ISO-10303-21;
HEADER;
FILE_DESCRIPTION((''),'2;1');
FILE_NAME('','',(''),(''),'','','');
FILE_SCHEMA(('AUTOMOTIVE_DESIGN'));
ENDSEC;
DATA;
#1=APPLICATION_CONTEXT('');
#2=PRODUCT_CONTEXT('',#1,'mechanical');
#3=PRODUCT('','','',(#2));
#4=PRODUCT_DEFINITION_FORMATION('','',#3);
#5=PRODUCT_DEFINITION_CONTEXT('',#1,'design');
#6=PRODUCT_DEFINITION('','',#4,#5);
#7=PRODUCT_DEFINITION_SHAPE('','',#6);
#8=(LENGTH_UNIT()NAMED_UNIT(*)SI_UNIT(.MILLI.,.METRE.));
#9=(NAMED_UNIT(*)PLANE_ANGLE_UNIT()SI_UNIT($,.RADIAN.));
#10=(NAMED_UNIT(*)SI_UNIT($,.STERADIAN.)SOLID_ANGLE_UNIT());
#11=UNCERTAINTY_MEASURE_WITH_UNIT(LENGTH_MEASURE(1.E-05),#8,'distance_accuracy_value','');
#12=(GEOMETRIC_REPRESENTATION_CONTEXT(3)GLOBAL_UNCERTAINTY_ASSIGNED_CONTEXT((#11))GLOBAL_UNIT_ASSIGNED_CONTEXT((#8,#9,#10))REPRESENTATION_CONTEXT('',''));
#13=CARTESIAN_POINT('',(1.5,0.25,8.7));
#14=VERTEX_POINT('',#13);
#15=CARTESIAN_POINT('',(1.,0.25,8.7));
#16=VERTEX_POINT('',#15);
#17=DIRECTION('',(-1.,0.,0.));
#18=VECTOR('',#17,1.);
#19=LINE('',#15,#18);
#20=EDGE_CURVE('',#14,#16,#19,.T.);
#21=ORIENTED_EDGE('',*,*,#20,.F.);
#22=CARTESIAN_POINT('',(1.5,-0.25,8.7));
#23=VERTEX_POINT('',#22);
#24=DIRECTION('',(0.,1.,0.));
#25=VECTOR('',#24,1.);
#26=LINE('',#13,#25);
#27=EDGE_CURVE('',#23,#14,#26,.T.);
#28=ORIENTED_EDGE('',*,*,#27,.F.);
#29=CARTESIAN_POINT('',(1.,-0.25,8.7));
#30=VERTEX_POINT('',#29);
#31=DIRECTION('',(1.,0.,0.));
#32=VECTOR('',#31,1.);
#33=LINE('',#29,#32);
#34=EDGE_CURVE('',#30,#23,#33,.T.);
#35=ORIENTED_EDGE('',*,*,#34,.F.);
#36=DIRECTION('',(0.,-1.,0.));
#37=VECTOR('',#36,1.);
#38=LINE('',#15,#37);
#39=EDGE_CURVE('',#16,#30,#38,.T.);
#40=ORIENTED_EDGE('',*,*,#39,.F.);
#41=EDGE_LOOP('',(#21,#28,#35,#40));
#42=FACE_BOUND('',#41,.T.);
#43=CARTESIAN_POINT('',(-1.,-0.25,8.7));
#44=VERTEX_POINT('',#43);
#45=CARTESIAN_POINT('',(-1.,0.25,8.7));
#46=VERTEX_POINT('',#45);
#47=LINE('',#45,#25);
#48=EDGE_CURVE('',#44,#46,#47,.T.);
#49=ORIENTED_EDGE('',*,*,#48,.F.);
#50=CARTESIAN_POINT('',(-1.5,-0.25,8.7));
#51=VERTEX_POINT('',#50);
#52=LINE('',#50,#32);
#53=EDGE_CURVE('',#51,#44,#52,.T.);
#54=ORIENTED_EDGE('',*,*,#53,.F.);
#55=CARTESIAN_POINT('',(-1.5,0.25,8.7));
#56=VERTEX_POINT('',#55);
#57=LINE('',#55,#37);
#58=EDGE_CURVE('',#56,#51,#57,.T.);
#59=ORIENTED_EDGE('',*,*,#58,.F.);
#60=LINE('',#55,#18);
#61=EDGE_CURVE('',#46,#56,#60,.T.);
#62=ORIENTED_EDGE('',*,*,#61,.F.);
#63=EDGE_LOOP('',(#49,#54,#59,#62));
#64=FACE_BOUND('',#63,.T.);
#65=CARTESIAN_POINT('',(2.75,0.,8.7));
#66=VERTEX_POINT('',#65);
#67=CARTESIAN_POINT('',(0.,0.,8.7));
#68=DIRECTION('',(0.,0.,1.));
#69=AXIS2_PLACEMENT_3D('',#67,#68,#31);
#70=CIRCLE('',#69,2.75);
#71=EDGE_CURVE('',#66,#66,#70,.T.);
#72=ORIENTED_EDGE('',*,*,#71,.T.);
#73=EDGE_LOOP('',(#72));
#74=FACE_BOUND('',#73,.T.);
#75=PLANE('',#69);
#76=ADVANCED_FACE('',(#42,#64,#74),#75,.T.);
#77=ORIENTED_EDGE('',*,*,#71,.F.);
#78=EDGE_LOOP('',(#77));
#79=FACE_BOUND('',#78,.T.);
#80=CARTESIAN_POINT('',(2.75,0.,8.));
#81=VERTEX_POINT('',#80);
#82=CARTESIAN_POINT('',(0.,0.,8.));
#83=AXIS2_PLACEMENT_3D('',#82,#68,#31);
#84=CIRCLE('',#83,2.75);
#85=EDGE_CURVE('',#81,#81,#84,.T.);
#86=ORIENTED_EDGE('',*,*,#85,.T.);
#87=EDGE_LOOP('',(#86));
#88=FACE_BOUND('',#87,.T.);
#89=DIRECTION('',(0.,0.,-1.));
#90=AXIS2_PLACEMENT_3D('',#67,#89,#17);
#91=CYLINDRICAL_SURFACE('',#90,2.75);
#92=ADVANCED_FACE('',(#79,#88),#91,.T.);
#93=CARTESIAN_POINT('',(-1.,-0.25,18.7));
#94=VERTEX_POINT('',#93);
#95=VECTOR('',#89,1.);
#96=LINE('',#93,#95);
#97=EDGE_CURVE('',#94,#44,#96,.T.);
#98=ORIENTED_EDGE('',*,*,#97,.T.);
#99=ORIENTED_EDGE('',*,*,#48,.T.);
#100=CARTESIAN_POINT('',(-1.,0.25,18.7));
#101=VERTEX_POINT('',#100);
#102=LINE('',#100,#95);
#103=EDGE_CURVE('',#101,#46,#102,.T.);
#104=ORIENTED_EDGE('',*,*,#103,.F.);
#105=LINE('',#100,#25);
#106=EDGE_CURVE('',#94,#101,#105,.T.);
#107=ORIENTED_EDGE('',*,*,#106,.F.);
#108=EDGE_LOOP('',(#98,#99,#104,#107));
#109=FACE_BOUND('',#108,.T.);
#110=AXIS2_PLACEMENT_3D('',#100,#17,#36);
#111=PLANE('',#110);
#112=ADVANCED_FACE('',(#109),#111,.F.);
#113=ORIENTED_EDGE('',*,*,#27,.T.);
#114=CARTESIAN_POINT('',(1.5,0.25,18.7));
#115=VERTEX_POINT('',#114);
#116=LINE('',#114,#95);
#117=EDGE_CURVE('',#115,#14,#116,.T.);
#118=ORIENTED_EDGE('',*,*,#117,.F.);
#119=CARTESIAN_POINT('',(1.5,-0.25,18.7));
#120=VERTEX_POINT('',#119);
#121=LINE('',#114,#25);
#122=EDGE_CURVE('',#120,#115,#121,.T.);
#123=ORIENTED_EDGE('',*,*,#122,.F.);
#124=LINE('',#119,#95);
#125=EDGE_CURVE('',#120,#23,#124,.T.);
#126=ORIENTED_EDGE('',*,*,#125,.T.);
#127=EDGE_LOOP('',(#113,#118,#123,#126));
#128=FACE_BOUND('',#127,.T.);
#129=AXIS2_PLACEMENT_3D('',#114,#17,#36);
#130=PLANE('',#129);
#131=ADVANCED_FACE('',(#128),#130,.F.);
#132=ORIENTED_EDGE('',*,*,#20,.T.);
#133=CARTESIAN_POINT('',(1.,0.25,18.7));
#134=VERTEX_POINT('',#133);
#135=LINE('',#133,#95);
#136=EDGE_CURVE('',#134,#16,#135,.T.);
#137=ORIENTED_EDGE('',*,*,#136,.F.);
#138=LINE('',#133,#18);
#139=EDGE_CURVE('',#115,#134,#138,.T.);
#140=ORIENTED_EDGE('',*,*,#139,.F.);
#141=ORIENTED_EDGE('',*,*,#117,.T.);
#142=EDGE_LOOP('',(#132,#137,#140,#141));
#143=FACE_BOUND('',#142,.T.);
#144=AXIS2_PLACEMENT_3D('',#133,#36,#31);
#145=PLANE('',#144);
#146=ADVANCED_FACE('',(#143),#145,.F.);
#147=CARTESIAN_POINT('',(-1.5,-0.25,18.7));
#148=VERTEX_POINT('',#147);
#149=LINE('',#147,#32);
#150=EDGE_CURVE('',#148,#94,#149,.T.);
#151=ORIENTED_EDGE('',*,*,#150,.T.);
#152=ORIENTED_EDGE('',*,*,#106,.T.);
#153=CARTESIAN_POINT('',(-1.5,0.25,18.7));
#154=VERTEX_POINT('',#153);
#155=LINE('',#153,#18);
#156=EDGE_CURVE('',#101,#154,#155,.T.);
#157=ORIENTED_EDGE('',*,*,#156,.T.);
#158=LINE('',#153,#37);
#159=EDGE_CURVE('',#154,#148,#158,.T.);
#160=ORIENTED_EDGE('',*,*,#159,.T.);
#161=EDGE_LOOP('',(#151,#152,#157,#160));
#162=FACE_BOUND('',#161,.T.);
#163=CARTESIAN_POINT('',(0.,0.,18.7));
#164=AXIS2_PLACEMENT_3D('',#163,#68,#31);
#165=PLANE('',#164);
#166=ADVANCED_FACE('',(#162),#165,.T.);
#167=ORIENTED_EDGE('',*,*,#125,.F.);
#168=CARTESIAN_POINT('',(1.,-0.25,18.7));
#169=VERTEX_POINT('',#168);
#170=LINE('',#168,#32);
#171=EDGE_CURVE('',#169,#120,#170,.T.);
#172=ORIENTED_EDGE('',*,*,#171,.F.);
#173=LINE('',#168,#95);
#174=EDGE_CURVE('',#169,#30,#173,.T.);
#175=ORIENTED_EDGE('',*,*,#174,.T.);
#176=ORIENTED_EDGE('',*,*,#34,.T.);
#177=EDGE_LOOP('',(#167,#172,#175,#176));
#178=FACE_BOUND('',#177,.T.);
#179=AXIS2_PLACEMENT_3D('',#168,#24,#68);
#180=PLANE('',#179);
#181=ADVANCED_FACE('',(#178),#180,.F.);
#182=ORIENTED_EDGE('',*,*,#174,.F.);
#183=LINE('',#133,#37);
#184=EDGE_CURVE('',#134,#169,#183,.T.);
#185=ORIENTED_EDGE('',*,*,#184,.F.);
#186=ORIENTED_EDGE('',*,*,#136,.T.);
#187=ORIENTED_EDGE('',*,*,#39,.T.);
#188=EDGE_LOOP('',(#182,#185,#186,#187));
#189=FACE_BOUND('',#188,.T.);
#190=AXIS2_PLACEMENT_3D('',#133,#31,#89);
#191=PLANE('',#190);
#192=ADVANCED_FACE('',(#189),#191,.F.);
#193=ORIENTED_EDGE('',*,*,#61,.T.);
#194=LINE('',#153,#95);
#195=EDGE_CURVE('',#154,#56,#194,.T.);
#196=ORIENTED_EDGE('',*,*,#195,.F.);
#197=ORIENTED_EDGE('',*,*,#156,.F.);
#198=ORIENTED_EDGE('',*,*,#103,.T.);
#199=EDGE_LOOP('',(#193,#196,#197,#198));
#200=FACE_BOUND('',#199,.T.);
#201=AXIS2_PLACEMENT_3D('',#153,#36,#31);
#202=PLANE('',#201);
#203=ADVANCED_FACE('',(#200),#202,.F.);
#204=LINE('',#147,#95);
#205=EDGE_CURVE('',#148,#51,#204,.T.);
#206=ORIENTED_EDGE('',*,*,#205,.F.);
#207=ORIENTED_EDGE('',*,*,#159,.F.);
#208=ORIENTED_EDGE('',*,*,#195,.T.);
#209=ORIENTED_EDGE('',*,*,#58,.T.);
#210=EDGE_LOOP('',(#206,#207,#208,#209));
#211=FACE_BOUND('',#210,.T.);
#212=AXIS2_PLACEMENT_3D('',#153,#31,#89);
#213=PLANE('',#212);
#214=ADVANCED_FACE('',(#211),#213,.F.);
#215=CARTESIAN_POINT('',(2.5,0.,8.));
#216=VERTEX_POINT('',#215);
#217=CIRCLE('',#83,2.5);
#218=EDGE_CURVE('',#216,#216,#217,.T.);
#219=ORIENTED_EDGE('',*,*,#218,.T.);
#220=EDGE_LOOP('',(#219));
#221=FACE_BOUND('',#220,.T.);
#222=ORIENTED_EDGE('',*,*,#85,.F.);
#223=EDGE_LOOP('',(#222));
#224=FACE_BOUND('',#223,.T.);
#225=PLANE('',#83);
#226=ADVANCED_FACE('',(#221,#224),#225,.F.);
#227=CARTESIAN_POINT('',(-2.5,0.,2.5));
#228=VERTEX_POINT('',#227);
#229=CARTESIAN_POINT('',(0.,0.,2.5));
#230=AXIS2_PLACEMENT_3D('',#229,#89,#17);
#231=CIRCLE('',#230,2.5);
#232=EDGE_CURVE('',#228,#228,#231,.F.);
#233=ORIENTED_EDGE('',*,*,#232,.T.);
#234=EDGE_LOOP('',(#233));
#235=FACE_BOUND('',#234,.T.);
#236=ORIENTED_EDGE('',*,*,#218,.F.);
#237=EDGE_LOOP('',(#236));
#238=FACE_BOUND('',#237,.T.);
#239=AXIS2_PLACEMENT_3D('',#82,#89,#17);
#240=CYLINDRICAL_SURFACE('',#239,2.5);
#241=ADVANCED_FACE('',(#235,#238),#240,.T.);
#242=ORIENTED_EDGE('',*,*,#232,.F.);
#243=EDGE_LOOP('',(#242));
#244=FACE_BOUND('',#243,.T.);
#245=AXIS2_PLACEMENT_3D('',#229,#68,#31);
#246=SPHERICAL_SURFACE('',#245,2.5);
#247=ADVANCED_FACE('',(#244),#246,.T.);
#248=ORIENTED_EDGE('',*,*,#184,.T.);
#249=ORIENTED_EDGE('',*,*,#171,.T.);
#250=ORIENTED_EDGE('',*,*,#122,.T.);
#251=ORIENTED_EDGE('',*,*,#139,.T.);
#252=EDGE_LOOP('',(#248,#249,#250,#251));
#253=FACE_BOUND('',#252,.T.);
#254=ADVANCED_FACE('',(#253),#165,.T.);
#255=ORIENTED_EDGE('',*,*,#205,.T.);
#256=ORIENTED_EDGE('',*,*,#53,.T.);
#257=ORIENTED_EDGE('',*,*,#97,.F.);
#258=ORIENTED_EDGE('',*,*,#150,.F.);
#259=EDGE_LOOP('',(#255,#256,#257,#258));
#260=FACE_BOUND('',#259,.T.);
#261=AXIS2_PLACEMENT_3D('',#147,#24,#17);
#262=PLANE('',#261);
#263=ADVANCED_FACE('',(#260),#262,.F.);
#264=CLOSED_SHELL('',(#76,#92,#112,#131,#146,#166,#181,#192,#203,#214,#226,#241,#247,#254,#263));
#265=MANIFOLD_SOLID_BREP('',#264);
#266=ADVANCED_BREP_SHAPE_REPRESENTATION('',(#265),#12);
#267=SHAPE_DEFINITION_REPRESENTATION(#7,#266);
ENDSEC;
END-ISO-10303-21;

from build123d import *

# Parameters (mm, degrees)
ESQUISSE1_R        = 2.5
BOSS_EXTRU_1_DEPTH = 8
ESQUISSE2_R        = 2.75
BOSS_EXTRU_2_DEPTH = 0.7
ESQUISSE3_W        = 0.5
ESQUISSE3_H        = 0.5
BOSS_EXTRU_3_DEPTH = 10
CONG_1_R           = 2.5


with BuildPart() as part:
    # Esquisse1 → Boss.-Extru.1 (new body)
    with BuildSketch(Plane.XY):
        Circle(ESQUISSE1_R)
    extrude(amount=BOSS_EXTRU_1_DEPTH)

    # Esquisse2 → Boss.-Extru.2 (add)
    with BuildSketch(Plane.XY.offset(8)):
        Circle(ESQUISSE2_R)
    extrude(amount=BOSS_EXTRU_2_DEPTH)

    # Esquisse3 → Boss.-Extru.3 (add)
    with BuildSketch(Plane.XY.offset(8.7)):
        with Locations((-1.25, 0)):
            Rectangle(ESQUISSE3_W, ESQUISSE3_H)
        with Locations((1.25, 0)):
            Rectangle(ESQUISSE3_W, ESQUISSE3_H)
    extrude(amount=BOSS_EXTRU_3_DEPTH)

    # Congé1
    cong_1_edges = [part.edges().sort_by_distance(p)[0] for p in [
        (-2.5, 0, 0),
    ]]
    fillet(cong_1_edges, radius=CONG_1_R)


solid = part.part
